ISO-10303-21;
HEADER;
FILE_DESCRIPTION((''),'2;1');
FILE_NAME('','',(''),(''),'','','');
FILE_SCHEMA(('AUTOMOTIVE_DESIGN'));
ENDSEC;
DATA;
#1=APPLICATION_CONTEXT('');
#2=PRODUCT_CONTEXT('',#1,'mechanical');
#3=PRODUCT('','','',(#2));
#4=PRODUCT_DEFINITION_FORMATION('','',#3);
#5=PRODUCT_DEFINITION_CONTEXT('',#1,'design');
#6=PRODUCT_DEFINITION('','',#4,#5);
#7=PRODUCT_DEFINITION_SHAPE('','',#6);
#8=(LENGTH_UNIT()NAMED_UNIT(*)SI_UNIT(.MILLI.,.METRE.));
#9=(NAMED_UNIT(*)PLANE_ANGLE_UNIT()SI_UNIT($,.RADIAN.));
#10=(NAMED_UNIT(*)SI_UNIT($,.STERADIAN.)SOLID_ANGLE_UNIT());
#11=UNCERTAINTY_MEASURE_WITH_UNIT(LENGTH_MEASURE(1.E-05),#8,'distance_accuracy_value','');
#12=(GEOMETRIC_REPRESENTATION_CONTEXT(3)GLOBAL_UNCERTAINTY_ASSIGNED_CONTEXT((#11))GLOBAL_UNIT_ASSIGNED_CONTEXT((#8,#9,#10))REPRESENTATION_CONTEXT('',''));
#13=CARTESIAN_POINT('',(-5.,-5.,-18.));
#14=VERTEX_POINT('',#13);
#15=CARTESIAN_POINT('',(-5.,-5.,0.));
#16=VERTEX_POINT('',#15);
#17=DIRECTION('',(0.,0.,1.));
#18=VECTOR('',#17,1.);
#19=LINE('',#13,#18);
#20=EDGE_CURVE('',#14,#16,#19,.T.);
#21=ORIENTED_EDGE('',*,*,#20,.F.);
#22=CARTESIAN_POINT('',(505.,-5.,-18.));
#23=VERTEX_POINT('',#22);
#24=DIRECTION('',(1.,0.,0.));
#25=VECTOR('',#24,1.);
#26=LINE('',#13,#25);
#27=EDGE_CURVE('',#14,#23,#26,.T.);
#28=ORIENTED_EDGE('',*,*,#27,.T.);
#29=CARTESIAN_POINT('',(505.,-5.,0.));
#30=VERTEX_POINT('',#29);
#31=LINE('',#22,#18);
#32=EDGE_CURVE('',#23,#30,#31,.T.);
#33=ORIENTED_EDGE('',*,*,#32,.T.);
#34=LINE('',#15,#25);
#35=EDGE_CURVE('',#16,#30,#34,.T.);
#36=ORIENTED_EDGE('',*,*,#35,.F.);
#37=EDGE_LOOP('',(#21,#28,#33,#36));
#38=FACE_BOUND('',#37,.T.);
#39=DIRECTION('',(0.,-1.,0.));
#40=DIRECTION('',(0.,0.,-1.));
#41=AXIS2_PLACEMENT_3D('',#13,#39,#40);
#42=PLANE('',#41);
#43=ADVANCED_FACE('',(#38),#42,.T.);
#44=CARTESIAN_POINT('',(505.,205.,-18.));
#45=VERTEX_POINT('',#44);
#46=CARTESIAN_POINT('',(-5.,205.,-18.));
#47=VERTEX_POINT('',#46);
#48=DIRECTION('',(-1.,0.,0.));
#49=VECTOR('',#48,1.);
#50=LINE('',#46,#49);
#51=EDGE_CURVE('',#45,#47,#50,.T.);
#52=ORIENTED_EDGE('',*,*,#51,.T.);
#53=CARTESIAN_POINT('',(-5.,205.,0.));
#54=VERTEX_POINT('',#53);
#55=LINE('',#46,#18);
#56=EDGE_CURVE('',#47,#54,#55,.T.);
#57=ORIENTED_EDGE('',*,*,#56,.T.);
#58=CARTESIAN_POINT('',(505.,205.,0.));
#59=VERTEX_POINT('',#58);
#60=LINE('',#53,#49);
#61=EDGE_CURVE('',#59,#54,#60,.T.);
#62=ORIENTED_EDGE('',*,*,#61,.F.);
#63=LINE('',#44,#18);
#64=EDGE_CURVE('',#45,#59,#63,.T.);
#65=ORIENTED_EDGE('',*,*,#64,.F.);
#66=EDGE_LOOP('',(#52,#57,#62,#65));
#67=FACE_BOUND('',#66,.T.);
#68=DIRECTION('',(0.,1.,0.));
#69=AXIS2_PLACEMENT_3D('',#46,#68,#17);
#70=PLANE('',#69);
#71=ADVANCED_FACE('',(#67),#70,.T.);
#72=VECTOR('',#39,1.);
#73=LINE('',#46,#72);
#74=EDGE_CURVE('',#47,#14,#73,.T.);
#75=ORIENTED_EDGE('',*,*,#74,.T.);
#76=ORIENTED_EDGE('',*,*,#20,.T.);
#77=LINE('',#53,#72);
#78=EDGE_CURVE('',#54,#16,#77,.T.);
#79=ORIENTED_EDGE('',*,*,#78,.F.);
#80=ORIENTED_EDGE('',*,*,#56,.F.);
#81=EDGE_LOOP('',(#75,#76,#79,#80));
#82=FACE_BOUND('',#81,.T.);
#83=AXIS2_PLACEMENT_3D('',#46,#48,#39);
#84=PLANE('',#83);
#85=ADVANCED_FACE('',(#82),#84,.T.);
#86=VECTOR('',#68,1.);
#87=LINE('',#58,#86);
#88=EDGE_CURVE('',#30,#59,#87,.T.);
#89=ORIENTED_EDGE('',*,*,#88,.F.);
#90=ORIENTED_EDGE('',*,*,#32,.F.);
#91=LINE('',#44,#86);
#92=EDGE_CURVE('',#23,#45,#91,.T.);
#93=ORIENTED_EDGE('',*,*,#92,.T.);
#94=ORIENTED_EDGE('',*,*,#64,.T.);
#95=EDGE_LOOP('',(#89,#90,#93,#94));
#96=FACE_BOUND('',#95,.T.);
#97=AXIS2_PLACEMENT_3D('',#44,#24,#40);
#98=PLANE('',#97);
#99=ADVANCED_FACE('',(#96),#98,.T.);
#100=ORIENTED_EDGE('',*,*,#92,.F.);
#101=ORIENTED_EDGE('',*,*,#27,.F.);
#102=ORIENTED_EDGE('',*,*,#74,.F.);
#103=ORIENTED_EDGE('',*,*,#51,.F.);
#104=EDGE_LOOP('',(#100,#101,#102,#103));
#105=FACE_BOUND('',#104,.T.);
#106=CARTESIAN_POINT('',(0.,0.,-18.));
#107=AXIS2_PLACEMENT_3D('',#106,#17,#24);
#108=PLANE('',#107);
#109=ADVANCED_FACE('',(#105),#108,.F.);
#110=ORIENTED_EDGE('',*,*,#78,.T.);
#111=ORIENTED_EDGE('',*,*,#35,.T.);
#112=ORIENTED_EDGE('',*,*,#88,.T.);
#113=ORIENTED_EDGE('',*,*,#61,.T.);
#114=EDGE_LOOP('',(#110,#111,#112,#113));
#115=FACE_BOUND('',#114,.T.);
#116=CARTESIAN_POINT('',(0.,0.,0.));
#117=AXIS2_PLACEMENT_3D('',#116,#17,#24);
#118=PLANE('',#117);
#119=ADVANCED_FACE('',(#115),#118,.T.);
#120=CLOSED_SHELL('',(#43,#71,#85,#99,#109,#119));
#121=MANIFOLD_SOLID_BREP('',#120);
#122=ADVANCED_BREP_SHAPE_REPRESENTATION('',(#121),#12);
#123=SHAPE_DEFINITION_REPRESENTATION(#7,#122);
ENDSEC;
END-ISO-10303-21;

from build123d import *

# Parameters (mm, degrees)
SKETCH1_W           = 510
SKETCH1_H           = 210
BOSS_EXTRUDE1_DEPTH = 18


with BuildPart() as part:
    # Sketch1 → Boss-Extrude1 (new body)
    with BuildSketch(Plane.XY):
        with Locations((250, 100)):
            Rectangle(SKETCH1_W, SKETCH1_H)
    extrude(amount=-BOSS_EXTRUDE1_DEPTH)


solid = part.part
